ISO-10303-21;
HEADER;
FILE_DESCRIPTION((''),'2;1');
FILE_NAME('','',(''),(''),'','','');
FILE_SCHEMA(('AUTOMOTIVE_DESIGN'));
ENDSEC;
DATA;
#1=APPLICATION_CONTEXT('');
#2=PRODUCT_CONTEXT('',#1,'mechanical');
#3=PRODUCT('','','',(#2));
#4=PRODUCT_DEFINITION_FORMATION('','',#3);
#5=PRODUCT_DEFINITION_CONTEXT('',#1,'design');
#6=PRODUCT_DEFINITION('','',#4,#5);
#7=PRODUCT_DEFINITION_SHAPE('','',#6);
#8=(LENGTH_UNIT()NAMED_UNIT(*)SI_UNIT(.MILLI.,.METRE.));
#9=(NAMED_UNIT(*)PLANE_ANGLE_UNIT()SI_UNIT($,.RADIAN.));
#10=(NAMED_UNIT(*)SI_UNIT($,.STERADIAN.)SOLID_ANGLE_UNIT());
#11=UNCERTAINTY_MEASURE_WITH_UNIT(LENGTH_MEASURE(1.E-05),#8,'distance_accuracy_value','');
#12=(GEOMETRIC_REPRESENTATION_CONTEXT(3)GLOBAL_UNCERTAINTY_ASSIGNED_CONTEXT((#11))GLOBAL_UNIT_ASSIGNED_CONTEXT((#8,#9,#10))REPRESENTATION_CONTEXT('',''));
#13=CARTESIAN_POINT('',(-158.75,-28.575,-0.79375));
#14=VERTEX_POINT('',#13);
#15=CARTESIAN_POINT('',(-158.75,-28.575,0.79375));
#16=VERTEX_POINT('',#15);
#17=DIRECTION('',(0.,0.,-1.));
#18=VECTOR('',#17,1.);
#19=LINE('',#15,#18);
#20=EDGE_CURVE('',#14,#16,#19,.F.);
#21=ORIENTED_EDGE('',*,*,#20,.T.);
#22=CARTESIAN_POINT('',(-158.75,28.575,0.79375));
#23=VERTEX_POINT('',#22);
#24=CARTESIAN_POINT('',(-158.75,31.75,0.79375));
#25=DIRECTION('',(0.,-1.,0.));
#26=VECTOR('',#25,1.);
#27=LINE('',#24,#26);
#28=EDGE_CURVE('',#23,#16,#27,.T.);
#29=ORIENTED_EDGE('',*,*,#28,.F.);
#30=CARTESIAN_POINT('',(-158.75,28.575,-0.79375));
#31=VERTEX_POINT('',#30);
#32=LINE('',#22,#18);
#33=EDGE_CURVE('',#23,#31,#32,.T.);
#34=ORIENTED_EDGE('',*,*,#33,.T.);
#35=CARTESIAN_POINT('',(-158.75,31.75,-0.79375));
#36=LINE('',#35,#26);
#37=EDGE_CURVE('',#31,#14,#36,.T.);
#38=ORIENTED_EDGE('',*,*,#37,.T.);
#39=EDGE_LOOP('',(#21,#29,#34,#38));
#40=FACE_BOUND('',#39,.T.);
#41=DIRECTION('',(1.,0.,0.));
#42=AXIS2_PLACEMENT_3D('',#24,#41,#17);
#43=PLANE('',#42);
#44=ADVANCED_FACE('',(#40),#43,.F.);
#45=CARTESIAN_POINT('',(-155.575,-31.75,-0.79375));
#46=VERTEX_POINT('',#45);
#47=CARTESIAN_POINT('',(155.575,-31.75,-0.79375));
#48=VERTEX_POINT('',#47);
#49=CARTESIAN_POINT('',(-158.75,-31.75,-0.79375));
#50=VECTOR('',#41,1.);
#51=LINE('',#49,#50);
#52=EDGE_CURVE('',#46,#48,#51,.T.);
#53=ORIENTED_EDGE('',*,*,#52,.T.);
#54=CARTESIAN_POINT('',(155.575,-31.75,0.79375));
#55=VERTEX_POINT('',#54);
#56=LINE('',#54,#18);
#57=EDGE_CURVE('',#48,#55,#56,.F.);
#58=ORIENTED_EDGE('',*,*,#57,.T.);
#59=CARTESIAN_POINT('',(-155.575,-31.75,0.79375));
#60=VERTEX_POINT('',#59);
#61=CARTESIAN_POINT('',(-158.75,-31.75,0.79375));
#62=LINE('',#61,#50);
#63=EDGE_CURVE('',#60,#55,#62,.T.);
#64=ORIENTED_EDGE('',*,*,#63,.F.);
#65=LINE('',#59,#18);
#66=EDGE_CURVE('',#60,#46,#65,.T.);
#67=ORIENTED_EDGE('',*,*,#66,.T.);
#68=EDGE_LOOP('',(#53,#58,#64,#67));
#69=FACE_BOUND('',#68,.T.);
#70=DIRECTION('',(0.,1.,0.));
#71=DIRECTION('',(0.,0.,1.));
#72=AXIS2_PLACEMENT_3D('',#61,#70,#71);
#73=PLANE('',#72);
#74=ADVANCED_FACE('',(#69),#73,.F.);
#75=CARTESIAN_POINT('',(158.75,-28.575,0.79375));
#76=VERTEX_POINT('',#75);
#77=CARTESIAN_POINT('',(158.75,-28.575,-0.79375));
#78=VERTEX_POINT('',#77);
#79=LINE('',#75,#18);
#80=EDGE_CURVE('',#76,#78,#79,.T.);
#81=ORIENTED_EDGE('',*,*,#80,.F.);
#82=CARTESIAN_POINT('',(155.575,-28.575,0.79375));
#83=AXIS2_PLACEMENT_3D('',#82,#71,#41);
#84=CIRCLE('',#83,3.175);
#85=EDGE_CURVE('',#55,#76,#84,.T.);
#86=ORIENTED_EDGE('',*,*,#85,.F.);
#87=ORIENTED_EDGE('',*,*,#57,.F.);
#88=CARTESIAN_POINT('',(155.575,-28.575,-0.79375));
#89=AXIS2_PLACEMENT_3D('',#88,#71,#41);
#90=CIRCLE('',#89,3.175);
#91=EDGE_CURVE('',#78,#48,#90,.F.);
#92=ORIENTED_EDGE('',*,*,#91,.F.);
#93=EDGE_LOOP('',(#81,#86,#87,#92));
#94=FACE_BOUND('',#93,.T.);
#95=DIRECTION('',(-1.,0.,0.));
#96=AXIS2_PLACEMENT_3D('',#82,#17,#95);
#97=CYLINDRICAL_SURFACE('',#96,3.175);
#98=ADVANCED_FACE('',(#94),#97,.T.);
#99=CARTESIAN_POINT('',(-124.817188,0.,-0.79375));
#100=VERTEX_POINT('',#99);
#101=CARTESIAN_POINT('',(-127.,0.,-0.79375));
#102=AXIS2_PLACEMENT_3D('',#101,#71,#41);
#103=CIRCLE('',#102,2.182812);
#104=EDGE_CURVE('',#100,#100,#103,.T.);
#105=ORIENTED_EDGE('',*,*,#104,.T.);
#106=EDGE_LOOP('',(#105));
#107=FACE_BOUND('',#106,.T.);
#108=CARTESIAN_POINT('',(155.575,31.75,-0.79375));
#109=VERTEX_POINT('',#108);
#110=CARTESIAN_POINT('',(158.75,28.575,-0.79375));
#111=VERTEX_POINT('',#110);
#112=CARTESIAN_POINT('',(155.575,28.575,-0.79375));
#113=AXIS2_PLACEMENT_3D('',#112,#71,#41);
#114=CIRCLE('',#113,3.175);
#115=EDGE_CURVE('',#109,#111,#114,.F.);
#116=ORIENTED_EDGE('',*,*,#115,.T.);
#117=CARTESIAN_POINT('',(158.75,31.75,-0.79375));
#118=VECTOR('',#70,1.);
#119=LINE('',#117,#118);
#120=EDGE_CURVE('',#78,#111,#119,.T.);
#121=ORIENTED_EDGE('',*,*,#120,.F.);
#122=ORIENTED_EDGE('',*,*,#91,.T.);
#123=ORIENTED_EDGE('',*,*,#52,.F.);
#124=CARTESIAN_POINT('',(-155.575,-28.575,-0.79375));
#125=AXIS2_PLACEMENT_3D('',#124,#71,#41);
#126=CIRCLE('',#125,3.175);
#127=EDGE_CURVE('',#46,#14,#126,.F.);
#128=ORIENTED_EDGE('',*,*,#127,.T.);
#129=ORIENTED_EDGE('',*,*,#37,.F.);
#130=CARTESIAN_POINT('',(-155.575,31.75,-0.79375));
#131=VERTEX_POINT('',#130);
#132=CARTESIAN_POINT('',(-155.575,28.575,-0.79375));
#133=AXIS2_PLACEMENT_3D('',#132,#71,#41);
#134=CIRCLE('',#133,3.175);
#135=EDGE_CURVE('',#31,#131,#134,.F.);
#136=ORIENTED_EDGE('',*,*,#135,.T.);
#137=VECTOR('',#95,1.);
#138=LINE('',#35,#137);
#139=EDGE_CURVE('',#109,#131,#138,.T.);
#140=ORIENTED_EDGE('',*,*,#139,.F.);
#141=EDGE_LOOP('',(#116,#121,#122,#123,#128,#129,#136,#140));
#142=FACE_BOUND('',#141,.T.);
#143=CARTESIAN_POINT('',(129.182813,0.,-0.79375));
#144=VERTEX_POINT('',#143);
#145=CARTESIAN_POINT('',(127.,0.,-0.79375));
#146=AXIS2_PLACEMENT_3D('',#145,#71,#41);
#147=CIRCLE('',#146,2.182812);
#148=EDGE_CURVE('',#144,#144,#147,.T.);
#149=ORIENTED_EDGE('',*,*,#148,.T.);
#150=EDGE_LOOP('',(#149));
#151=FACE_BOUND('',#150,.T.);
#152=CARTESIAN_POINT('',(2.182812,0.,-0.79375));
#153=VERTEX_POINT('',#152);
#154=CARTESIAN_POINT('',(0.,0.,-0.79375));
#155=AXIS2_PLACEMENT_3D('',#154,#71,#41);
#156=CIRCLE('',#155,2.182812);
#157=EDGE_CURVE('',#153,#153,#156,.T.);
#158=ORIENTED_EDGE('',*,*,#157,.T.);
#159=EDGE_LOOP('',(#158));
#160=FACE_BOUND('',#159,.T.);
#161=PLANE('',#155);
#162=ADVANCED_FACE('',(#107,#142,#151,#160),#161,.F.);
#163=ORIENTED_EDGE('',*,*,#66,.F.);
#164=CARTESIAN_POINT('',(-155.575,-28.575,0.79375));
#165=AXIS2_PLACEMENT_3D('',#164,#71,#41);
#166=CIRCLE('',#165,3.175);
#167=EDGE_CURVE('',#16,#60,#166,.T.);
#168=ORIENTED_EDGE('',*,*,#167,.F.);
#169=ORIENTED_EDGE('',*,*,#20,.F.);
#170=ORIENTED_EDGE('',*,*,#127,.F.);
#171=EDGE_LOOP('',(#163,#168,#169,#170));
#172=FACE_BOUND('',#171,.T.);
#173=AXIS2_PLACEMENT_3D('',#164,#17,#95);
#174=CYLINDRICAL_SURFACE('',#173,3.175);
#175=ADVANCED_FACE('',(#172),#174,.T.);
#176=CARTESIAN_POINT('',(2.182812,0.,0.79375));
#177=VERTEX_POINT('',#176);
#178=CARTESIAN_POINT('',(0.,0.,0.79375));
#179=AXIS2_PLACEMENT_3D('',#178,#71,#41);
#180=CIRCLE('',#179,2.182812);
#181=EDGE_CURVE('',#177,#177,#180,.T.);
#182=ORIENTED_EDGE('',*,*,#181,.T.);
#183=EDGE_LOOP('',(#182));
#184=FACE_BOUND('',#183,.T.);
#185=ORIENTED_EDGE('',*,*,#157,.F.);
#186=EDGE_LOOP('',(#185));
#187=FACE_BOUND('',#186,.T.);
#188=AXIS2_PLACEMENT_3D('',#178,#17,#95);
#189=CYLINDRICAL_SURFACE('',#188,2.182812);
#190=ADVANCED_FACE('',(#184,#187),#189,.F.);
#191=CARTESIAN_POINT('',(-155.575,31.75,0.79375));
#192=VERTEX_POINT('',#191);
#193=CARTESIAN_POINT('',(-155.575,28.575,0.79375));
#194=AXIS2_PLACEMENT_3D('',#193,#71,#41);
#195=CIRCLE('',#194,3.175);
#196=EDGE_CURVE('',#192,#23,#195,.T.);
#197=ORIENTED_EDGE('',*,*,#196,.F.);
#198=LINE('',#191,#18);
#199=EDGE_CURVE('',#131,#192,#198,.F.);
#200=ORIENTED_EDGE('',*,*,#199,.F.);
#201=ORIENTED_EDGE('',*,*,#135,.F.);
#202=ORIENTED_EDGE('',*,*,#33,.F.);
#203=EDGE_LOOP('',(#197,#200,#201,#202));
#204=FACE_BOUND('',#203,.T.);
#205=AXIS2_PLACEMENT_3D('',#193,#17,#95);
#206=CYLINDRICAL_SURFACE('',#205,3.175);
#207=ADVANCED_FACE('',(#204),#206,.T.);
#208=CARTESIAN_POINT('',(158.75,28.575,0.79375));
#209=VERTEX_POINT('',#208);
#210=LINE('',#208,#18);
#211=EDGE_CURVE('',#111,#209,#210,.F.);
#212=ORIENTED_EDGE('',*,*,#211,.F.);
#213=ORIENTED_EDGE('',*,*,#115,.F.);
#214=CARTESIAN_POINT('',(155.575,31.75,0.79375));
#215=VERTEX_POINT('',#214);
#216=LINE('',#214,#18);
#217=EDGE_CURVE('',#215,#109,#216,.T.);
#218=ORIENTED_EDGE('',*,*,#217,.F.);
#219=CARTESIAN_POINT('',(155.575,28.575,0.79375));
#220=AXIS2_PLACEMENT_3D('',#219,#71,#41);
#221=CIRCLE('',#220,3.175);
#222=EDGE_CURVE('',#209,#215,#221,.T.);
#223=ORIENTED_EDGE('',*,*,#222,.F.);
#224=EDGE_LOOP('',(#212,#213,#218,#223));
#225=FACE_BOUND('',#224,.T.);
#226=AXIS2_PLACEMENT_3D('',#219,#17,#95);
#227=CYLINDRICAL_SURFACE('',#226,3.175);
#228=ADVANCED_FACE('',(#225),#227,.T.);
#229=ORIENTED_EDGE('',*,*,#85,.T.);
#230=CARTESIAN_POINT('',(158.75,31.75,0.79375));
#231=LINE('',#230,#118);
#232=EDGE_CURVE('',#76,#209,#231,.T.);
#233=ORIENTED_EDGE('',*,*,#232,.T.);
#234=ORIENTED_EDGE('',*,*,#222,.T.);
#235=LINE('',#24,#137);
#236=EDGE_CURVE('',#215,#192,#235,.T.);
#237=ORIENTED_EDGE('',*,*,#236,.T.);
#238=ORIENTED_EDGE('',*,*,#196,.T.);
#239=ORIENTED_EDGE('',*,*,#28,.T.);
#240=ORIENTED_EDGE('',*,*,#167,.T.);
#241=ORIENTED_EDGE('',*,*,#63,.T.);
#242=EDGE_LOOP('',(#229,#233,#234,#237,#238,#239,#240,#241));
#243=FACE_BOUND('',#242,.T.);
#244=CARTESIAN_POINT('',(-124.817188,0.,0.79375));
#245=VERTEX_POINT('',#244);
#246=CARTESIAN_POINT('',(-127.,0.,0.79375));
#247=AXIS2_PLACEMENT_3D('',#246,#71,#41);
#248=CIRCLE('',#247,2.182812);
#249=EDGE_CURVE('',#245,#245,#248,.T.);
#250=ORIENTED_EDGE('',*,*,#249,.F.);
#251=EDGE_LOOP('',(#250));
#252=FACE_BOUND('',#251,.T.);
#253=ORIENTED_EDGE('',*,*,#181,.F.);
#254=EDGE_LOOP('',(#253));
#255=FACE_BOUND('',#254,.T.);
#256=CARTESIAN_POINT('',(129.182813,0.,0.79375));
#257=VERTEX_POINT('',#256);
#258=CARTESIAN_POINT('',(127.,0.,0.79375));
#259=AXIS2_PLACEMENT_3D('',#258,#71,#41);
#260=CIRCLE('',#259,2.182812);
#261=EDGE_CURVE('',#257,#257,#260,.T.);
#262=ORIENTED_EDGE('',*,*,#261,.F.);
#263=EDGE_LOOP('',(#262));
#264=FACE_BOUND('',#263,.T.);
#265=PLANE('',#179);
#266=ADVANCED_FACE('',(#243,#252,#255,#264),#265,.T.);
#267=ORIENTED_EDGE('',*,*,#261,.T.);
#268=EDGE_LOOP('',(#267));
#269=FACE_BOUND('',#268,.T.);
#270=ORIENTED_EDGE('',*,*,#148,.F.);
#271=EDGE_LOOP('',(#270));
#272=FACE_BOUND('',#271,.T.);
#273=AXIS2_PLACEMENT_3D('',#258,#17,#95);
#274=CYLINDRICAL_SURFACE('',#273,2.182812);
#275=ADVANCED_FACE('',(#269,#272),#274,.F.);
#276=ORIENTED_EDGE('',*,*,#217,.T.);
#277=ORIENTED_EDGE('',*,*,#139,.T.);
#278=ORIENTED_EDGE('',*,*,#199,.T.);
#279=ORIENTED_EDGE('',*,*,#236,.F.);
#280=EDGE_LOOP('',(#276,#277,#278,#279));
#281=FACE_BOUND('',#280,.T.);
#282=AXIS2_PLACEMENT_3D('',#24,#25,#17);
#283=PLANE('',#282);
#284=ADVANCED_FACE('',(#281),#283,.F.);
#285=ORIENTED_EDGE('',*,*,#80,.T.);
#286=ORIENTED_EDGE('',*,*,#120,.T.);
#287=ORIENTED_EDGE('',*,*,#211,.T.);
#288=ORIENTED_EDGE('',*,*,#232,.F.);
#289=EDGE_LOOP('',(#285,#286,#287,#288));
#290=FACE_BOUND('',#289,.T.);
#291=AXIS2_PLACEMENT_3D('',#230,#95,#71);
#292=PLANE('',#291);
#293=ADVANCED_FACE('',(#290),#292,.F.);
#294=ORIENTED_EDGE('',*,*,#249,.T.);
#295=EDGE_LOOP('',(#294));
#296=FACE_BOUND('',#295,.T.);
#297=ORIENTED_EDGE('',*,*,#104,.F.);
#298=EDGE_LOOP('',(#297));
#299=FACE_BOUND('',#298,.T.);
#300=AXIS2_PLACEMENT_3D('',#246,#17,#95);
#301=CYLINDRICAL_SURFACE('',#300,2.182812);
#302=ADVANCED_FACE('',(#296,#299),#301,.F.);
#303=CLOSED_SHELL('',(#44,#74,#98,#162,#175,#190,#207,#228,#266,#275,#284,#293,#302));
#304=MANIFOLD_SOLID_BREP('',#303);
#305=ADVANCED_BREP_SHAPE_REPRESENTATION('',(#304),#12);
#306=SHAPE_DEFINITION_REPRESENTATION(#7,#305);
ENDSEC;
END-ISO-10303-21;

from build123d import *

# Parameters (mm, degrees)
SKETCH1_W           = 317.5
SKETCH1_H           = 63.5
SKETCH1_R           = 2.1828125
BOSS_EXTRUDE1_DEPTH = 0.79375
FILLET1_R           = 3.175


with BuildPart() as part:
    # Sketch1 → Boss-Extrude1 (new body, symmetric)
    with BuildSketch(Plane.XY):
        Rectangle(SKETCH1_W, SKETCH1_H)
        Circle(SKETCH1_R, mode=Mode.SUBTRACT)
        with Locations((127, 0)):
            Circle(SKETCH1_R, mode=Mode.SUBTRACT)
        with Locations((-127, 0)):
            Circle(SKETCH1_R, mode=Mode.SUBTRACT)
    extrude(amount=BOSS_EXTRUDE1_DEPTH, both=True)

    # Fillet1
    fillet1_edges = [part.edges().sort_by_distance(p)[0] for p in [
        (158.75, -31.75, 0),
        (-158.75, -31.75, 0),
        (-158.75, 31.75, 0),
        (158.75, 31.75, 0),
    ]]
    fillet(fillet1_edges, radius=FILLET1_R)


solid = part.part
